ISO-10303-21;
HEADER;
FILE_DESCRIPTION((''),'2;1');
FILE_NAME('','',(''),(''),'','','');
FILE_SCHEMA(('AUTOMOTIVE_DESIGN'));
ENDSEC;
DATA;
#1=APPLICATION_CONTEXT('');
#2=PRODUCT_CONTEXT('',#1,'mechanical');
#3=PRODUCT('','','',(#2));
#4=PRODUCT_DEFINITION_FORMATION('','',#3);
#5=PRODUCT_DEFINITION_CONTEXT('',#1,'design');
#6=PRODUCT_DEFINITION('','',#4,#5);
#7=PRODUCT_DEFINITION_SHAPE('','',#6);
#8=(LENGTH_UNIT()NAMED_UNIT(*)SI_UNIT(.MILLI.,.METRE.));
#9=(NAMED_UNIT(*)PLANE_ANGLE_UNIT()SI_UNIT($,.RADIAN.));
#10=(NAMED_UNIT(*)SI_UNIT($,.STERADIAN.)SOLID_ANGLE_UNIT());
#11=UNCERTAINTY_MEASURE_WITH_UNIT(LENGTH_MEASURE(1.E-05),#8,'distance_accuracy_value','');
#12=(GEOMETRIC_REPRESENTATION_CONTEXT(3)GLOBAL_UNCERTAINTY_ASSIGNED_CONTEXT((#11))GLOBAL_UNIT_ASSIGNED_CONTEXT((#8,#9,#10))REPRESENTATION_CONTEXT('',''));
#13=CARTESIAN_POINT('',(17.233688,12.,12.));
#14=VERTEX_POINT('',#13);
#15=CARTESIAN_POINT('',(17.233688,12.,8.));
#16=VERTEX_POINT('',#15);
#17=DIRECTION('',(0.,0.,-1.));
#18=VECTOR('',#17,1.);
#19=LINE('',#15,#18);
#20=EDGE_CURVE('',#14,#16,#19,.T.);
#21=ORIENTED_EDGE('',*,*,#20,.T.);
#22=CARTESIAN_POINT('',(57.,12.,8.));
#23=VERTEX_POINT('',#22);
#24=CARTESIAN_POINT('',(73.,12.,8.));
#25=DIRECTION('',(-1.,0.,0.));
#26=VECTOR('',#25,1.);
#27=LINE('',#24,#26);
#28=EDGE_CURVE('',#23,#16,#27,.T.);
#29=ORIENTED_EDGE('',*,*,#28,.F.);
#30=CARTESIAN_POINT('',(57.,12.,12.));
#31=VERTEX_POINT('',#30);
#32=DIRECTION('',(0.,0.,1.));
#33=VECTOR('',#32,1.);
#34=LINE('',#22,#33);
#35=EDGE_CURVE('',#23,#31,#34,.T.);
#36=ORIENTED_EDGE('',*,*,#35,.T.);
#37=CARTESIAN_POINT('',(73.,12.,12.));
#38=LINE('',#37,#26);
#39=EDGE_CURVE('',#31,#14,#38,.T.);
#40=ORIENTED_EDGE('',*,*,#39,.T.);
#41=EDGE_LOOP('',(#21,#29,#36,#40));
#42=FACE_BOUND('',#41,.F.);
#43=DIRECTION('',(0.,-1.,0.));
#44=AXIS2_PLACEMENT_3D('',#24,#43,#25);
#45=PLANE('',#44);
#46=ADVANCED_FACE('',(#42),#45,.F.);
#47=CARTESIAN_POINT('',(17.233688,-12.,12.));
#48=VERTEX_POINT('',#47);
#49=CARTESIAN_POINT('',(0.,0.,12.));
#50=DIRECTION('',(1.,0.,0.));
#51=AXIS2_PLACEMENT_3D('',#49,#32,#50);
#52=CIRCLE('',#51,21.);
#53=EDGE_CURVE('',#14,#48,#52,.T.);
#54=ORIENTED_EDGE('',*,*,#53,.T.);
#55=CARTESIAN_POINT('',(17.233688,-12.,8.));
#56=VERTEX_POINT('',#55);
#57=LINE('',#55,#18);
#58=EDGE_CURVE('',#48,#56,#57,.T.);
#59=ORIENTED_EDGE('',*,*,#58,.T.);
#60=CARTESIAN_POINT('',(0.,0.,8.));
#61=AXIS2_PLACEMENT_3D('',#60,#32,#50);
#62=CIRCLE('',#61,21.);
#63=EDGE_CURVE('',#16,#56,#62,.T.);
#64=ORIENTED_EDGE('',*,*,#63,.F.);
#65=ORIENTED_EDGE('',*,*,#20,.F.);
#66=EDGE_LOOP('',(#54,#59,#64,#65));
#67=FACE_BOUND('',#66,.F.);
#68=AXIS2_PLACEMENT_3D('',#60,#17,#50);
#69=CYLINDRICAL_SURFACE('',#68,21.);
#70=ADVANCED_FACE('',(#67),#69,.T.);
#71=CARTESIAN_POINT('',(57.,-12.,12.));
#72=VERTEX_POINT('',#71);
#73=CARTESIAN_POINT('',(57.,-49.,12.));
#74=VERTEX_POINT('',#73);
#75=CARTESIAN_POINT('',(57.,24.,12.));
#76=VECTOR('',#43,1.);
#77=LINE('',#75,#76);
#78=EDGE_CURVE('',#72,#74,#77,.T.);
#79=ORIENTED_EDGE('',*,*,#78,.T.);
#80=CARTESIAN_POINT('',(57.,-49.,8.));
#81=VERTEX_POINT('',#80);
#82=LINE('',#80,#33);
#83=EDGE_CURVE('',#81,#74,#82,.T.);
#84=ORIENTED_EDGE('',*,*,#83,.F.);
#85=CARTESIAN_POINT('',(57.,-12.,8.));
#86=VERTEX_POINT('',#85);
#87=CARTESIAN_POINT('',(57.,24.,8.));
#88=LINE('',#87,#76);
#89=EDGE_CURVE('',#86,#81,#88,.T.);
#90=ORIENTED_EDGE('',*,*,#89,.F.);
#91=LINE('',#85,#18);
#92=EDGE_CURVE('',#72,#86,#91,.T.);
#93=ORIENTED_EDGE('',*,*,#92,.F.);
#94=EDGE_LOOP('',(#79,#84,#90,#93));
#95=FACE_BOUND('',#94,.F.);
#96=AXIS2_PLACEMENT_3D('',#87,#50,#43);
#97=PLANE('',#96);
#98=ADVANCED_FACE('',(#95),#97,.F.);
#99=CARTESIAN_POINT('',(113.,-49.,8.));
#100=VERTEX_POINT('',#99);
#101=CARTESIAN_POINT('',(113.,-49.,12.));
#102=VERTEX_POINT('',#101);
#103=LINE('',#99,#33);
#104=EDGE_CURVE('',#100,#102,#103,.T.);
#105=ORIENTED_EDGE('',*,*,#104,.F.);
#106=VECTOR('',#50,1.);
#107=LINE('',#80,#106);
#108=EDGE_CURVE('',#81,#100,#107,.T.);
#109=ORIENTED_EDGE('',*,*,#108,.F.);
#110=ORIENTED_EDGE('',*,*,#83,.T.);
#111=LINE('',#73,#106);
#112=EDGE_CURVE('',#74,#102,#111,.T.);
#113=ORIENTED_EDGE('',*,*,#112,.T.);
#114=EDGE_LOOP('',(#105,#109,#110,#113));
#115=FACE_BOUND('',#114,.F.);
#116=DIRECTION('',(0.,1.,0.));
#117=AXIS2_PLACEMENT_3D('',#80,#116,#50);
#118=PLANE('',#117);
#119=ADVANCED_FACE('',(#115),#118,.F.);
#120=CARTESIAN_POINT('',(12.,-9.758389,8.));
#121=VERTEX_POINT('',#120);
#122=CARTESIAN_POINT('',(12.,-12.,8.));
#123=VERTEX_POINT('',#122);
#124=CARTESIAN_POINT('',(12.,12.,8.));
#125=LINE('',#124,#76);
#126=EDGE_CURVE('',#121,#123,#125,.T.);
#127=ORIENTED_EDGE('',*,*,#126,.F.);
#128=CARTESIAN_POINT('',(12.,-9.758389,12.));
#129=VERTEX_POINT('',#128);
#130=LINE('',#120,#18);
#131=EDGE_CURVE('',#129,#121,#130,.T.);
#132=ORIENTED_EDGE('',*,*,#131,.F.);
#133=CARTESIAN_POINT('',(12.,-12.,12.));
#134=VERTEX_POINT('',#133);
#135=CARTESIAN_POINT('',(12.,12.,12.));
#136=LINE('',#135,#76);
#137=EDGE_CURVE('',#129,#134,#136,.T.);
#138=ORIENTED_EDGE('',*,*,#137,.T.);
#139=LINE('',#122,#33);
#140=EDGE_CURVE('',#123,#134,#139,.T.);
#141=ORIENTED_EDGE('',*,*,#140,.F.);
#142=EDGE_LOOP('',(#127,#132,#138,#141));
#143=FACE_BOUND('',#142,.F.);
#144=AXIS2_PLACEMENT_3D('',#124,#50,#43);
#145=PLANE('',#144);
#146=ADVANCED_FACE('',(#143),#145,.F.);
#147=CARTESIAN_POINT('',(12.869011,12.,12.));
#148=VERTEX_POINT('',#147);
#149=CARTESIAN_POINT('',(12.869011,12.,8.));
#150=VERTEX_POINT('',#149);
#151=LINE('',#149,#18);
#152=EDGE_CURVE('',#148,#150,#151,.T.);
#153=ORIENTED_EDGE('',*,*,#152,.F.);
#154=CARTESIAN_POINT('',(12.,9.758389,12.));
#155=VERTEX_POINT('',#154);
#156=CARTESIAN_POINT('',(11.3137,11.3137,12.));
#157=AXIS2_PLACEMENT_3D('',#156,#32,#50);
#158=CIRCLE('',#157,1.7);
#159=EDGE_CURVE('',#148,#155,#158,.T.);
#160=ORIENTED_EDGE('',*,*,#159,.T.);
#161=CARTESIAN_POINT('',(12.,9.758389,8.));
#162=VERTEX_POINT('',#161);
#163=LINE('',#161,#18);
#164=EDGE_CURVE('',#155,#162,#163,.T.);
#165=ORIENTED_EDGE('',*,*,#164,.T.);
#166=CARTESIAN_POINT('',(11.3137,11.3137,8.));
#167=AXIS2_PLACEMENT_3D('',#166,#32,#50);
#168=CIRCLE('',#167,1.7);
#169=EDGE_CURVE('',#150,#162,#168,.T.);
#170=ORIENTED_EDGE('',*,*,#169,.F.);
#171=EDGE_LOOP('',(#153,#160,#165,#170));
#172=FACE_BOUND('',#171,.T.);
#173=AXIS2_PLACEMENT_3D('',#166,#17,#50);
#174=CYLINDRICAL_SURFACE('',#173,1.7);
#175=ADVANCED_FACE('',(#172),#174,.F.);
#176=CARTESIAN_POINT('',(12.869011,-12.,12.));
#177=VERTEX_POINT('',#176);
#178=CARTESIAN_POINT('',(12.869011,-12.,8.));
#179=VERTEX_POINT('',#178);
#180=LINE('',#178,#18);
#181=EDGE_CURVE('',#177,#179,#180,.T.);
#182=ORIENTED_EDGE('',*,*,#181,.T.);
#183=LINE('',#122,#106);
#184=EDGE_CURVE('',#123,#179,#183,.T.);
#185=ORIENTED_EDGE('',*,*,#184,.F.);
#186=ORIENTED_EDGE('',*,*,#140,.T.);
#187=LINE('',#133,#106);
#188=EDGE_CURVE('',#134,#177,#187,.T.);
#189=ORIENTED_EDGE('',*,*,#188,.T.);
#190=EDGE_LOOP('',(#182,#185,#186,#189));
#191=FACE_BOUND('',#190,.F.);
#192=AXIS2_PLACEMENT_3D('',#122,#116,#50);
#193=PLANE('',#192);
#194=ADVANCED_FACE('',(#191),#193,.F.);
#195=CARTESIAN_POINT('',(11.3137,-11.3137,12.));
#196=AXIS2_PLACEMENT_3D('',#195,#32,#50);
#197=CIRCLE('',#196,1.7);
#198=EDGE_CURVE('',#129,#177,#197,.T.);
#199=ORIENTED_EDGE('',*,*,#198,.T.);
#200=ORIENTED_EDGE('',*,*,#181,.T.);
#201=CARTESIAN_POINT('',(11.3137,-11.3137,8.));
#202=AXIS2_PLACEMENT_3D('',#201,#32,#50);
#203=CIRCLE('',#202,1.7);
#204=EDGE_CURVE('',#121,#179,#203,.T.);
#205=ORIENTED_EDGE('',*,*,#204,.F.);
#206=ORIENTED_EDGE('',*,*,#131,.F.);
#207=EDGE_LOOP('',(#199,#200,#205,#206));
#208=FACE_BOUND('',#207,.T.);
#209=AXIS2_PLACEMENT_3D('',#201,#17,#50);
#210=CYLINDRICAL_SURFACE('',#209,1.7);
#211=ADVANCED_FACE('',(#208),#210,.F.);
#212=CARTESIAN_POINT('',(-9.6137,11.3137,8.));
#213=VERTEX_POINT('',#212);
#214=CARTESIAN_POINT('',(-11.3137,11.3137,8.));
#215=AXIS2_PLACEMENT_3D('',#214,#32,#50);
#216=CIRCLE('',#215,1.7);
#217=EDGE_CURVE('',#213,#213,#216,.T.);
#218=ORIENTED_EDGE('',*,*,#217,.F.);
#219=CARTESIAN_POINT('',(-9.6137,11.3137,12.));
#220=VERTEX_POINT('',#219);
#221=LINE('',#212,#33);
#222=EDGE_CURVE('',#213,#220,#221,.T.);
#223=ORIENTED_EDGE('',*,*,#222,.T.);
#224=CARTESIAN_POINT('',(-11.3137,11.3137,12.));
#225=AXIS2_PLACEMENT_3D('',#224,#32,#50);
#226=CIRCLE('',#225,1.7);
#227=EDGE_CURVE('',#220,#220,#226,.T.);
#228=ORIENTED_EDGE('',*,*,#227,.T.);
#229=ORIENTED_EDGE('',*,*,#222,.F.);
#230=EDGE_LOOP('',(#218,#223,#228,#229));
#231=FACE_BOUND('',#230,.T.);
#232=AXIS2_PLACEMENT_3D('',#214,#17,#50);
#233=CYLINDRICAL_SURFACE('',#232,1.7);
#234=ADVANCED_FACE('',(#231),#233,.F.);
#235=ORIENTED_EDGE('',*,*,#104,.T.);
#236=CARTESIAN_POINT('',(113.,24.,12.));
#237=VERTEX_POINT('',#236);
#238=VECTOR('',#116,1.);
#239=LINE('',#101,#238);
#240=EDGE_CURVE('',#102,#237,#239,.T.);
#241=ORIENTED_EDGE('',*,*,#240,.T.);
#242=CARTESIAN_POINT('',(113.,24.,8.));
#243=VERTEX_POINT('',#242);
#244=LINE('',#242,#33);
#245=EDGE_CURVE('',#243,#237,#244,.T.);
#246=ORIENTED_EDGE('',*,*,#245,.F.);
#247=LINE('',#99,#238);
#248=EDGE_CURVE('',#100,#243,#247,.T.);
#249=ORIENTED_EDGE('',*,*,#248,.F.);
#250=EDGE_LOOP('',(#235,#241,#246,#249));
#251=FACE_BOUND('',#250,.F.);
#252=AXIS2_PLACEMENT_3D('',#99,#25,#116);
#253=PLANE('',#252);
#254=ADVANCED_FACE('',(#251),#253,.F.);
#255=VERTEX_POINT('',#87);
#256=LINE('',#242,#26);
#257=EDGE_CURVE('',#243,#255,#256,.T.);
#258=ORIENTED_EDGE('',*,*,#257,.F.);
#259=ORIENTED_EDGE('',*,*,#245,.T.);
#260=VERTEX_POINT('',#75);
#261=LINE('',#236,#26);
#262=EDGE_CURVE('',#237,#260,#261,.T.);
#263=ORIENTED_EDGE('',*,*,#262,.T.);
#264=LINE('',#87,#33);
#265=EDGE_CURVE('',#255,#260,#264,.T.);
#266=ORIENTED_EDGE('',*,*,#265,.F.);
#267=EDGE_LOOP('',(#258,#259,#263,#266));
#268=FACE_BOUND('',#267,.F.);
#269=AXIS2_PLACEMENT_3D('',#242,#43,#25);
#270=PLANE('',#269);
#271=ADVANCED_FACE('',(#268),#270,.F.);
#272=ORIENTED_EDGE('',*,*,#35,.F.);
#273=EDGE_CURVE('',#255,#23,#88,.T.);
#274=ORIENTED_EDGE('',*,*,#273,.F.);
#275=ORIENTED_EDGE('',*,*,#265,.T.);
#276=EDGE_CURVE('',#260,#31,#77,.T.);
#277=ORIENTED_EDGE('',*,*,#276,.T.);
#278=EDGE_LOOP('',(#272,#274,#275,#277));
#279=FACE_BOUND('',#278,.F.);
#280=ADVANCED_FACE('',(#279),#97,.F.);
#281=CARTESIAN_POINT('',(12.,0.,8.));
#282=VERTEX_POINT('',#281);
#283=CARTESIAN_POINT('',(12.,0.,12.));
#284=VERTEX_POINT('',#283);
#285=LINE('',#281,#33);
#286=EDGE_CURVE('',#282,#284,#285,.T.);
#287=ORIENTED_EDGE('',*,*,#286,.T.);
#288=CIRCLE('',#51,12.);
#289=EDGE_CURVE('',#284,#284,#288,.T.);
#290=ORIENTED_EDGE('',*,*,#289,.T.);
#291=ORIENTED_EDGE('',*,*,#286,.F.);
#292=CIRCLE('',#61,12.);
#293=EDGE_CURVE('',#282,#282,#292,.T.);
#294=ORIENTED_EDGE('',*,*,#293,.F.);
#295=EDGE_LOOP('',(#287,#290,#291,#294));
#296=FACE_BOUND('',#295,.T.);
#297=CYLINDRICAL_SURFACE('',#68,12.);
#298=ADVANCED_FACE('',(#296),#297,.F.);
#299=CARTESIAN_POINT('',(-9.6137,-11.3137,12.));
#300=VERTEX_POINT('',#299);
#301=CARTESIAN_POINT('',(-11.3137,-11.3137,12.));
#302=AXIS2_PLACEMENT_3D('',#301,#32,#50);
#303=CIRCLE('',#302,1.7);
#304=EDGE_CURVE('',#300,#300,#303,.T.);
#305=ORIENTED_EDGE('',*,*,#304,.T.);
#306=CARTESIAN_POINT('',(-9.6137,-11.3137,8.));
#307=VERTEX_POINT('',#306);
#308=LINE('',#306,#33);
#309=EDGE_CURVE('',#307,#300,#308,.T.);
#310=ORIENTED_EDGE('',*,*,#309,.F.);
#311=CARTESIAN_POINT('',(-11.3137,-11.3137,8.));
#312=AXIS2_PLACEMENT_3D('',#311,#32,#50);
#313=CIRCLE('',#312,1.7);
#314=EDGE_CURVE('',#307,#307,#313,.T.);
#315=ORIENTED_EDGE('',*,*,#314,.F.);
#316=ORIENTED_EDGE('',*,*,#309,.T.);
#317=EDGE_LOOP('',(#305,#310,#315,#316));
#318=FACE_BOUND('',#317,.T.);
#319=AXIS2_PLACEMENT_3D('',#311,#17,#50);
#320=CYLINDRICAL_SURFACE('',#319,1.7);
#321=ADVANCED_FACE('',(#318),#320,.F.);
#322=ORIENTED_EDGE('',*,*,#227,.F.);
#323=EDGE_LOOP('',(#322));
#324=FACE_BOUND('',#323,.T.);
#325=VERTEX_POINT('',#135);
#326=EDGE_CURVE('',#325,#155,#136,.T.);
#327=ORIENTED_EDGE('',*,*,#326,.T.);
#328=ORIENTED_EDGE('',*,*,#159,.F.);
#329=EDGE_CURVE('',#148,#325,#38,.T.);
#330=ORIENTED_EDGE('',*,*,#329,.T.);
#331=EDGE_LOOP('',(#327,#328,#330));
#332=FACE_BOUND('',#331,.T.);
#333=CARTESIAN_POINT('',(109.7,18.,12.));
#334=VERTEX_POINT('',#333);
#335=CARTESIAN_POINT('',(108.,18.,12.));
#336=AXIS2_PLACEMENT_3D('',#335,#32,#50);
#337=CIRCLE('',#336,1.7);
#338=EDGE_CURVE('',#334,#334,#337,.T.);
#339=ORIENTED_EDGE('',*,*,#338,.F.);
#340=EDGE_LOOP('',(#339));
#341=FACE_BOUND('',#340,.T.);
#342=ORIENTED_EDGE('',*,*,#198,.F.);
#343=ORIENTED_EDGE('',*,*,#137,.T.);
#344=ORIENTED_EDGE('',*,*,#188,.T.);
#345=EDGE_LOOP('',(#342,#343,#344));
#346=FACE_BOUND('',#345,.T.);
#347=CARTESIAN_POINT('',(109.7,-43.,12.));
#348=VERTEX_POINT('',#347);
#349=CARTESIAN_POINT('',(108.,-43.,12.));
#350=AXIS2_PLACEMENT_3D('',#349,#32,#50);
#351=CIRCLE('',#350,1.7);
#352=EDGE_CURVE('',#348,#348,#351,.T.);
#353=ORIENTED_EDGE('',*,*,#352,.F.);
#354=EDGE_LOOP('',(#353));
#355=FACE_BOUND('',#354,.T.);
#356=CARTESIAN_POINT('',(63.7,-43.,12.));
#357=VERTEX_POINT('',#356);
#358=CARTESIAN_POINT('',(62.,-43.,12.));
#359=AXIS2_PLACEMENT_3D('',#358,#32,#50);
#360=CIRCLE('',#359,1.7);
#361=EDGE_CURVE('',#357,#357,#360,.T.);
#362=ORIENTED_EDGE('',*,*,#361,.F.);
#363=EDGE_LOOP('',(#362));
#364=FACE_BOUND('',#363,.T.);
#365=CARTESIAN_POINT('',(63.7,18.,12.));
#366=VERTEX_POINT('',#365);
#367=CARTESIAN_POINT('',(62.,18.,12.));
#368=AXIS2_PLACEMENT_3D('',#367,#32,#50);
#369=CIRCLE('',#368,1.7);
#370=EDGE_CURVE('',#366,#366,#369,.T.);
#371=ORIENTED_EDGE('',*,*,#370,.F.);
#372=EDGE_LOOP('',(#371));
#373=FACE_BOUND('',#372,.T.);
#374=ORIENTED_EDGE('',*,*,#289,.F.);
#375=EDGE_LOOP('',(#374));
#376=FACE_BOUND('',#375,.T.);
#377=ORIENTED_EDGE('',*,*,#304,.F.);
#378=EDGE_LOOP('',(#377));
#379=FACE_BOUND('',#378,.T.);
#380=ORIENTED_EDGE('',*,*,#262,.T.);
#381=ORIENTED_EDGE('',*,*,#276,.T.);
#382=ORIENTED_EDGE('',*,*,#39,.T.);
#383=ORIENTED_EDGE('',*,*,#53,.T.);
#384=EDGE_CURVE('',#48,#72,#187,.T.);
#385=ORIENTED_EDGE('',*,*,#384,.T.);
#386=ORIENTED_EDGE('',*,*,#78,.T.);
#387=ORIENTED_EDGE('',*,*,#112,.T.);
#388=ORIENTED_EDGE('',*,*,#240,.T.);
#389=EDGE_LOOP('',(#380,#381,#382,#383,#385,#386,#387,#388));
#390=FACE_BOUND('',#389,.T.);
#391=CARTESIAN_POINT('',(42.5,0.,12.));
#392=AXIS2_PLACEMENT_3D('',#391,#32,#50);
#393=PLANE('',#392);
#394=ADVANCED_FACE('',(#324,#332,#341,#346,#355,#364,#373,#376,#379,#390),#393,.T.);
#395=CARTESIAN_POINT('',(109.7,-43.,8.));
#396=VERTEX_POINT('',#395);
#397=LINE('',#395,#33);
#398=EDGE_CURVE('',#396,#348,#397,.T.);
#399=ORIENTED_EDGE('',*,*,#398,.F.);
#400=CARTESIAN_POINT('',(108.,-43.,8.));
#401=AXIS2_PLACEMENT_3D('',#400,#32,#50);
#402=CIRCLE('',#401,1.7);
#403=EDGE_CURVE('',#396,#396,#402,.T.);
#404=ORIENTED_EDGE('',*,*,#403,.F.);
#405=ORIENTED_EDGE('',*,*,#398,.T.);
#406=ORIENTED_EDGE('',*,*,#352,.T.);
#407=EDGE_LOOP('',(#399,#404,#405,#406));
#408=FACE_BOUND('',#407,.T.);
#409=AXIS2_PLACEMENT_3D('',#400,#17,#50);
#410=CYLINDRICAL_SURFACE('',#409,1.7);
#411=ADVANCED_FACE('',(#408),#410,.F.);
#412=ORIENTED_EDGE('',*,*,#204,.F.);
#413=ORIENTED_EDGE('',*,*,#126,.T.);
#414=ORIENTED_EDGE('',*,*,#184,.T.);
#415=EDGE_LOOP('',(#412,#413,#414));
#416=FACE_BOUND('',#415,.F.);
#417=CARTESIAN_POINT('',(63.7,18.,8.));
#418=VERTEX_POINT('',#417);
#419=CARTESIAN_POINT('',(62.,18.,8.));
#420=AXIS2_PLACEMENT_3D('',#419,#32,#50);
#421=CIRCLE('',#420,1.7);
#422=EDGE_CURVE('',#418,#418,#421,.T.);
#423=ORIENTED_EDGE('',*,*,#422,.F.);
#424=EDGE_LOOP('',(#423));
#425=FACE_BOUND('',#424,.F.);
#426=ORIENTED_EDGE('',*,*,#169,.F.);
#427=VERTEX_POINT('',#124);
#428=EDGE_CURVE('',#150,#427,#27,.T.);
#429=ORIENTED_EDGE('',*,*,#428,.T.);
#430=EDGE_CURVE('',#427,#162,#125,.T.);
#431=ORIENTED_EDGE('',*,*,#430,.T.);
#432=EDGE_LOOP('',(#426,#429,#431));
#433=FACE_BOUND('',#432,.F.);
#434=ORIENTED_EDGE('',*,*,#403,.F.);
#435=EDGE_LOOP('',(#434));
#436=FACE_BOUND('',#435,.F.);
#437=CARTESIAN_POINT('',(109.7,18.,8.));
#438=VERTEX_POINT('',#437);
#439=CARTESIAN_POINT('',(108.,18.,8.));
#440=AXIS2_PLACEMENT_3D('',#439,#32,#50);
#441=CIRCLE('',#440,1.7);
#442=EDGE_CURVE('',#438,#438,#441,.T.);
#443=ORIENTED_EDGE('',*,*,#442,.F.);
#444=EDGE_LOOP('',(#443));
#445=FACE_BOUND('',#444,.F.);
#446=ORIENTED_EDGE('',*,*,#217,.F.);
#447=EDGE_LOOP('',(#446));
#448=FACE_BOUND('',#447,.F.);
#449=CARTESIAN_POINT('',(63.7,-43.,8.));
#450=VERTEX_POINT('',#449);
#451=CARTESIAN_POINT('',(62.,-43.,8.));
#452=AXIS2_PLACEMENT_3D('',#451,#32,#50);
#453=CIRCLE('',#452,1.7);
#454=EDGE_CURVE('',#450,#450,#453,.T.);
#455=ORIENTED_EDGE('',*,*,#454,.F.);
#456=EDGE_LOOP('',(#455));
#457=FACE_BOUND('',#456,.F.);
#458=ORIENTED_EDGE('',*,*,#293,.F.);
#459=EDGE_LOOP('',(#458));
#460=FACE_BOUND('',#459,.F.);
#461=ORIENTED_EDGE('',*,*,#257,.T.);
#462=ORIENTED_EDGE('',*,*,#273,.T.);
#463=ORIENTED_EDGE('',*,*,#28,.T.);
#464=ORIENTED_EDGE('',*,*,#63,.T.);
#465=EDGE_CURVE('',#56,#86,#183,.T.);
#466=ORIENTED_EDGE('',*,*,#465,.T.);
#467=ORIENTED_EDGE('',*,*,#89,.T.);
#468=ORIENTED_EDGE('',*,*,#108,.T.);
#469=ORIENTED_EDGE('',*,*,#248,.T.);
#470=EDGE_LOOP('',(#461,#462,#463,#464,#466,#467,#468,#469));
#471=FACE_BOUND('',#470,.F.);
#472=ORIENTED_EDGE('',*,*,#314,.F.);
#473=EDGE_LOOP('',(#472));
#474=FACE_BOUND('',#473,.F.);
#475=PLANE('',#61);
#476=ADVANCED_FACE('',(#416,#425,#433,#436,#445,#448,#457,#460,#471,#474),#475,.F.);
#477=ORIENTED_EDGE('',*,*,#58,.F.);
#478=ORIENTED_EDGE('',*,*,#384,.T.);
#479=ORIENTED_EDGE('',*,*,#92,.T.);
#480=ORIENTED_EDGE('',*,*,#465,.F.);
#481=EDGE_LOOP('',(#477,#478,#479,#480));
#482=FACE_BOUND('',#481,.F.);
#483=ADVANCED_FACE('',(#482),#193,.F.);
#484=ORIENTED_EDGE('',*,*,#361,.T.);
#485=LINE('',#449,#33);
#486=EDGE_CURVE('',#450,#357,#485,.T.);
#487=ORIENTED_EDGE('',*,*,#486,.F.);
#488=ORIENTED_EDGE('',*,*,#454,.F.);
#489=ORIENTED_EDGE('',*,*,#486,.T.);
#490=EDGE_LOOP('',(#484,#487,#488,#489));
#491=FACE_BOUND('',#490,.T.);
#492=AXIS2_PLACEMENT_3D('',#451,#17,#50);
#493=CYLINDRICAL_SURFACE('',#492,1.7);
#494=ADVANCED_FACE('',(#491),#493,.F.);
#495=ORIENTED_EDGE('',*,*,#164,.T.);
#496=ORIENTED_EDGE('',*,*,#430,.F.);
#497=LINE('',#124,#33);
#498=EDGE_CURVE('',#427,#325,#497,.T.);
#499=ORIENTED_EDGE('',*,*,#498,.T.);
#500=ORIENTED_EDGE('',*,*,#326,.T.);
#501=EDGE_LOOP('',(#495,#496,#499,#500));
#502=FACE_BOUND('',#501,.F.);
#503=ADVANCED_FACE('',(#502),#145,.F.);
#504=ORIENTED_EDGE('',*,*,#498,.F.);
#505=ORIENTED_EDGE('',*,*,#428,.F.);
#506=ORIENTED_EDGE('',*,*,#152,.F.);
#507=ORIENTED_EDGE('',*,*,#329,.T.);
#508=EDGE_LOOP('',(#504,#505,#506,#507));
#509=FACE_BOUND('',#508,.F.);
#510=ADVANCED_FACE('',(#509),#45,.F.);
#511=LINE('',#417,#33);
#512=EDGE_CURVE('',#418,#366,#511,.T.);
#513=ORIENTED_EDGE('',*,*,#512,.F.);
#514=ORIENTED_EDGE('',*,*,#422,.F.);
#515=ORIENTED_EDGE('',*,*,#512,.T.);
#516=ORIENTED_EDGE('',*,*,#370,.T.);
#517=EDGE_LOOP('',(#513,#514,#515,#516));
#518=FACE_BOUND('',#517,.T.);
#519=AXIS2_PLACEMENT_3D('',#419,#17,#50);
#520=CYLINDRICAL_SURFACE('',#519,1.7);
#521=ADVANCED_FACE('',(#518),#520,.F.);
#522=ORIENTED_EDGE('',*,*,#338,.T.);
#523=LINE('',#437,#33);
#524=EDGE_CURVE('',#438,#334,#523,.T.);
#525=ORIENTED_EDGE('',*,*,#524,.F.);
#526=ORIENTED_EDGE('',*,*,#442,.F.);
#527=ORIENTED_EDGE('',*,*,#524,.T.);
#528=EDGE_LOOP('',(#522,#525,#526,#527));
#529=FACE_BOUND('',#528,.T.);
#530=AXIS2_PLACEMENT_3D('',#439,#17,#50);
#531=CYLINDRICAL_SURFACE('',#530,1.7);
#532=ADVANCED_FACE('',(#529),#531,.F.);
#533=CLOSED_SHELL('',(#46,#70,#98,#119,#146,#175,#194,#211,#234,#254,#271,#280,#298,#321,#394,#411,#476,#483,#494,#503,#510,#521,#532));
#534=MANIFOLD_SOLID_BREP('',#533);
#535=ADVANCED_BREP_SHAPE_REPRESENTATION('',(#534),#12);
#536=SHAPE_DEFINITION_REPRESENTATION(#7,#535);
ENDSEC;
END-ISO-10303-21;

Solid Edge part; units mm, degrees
sketch "Sketch1" plane through (0, 0, 8) normal (0, 0, 1) x (1, 0, 0)
  circle A0 centre (0, 0) radius 21
  circle A1 centre (0, 0) radius 12
  circle A2 centre (11.3137, 11.3137) radius 1.7
  circle A3 centre (-11.3137, 11.3137) radius 1.7
  circle A4 centre (-11.3137, -11.3137) radius 1.7
  circle A5 centre (11.3137, -11.3137) radius 1.7
extrude "ExtrudedProtrusion_1" add sketch "Sketch1" along normal blind 4
sketch "Sketch2" plane through (0, 0, 8) normal (0, 0, 1) x (1, 0, 0)
  line L0 (12, -12) -> (73, -12)
  line L1 (73, -12) -> (73, 12)
  line L2 (73, 12) -> (12, 12)
  line L3 (12, 12) -> (12, -12)
extrude "ExtrudedProtrusion_2" add sketch "Sketch2" along normal blind 4
sketch "Sketch3" plane through (0, 0, 8) normal (0, 0, 1) x (1, 0, 0)
  line L0 (57, -49) -> (113, -49)
  line L1 (113, -49) -> (113, 24)
  line L2 (113, 24) -> (57, 24)
  line L3 (57, 24) -> (57, -49)
  circle A0 centre (62, -43) radius 1.7
  circle A1 centre (108, -43) radius 1.7
  circle A2 centre (62, 18) radius 1.7
  circle A3 centre (108, 18) radius 1.7
extrude "ExtrudedProtrusion_3" add sketch "Sketch3" along normal blind 4
